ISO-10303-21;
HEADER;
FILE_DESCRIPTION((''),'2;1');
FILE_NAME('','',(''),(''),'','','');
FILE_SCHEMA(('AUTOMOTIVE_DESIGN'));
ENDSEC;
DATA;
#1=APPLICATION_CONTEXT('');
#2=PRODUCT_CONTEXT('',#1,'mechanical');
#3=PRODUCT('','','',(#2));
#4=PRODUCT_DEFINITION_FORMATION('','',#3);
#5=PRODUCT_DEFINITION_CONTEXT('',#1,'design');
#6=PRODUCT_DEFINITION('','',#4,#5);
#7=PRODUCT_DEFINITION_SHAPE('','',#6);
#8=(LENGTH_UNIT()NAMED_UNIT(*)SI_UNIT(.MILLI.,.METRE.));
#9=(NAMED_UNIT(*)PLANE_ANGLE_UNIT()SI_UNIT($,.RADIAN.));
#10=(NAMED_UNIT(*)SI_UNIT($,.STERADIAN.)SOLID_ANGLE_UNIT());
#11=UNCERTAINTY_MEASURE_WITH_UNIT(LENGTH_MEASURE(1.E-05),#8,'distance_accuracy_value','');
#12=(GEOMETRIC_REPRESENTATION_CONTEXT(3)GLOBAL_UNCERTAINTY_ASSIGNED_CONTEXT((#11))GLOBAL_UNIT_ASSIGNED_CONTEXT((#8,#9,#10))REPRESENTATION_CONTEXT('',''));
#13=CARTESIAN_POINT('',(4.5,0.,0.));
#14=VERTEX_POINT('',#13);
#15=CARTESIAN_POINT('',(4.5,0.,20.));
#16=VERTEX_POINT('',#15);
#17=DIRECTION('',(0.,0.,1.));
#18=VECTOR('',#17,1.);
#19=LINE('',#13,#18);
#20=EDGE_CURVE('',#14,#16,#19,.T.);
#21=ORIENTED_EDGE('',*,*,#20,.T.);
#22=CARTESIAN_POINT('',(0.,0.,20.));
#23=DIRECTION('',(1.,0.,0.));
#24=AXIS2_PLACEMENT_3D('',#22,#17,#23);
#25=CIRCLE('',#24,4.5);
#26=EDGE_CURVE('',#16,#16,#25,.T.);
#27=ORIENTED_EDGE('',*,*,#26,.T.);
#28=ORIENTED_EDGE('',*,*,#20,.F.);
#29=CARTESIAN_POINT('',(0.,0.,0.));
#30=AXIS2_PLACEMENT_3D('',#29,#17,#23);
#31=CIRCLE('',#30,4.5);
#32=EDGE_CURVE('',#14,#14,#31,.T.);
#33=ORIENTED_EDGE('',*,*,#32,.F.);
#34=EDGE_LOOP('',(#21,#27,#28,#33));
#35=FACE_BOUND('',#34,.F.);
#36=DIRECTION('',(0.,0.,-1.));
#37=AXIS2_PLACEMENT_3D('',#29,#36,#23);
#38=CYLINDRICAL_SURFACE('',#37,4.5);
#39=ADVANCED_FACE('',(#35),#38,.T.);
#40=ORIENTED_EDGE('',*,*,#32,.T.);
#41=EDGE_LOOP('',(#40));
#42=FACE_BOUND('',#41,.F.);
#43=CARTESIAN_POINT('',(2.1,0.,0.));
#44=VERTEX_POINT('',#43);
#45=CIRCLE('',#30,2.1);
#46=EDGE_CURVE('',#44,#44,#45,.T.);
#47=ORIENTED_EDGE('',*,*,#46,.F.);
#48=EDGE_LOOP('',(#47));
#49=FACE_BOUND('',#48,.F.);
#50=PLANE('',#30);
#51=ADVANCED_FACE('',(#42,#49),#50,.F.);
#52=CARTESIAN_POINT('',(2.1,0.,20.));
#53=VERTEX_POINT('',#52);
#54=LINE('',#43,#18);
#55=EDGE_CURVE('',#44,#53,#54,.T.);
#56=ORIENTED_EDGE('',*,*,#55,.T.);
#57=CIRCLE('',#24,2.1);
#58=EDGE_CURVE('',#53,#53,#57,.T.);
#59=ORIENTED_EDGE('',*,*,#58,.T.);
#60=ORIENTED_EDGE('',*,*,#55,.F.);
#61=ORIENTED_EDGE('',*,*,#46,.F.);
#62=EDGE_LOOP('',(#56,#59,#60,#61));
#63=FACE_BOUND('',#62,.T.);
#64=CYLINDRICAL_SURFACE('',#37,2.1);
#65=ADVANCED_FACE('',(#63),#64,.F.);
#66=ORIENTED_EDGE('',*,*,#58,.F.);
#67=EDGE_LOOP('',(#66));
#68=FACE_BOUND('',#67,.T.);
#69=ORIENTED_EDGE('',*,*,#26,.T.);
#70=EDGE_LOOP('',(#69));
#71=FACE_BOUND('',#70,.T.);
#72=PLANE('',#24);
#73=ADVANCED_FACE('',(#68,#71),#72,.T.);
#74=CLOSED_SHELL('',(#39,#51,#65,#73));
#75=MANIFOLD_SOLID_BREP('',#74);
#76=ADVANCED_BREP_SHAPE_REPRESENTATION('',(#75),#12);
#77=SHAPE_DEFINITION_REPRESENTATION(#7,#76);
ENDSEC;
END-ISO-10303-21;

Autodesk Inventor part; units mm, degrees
ref_plane "YZ Plane" through (0, 0, 0) normal (1, 0, 0) x (0, 1, 0)
ref_plane "XZ Plane" through (0, 0, 0) normal (0, 1, 0) x (-1, 0, 0)
ref_plane "XY Plane" through (0, 0, 0) normal (0, 0, 1) x (1, 0, 0)
sketch "Sketch1" plane through (0, 0, 0) normal (0, 0, 1) x (1, 0, 0)
  circle A0 centre (0, 0) radius 4.5
  circle A1 centre (0, 0) radius 2.1
  dimension "d0" = 9
  dimension "d1" = 4.2
extrude "Extrusion1" add sketch "Sketch1" along normal blind 20
properties part number "PcbSpacer4x20mm"
